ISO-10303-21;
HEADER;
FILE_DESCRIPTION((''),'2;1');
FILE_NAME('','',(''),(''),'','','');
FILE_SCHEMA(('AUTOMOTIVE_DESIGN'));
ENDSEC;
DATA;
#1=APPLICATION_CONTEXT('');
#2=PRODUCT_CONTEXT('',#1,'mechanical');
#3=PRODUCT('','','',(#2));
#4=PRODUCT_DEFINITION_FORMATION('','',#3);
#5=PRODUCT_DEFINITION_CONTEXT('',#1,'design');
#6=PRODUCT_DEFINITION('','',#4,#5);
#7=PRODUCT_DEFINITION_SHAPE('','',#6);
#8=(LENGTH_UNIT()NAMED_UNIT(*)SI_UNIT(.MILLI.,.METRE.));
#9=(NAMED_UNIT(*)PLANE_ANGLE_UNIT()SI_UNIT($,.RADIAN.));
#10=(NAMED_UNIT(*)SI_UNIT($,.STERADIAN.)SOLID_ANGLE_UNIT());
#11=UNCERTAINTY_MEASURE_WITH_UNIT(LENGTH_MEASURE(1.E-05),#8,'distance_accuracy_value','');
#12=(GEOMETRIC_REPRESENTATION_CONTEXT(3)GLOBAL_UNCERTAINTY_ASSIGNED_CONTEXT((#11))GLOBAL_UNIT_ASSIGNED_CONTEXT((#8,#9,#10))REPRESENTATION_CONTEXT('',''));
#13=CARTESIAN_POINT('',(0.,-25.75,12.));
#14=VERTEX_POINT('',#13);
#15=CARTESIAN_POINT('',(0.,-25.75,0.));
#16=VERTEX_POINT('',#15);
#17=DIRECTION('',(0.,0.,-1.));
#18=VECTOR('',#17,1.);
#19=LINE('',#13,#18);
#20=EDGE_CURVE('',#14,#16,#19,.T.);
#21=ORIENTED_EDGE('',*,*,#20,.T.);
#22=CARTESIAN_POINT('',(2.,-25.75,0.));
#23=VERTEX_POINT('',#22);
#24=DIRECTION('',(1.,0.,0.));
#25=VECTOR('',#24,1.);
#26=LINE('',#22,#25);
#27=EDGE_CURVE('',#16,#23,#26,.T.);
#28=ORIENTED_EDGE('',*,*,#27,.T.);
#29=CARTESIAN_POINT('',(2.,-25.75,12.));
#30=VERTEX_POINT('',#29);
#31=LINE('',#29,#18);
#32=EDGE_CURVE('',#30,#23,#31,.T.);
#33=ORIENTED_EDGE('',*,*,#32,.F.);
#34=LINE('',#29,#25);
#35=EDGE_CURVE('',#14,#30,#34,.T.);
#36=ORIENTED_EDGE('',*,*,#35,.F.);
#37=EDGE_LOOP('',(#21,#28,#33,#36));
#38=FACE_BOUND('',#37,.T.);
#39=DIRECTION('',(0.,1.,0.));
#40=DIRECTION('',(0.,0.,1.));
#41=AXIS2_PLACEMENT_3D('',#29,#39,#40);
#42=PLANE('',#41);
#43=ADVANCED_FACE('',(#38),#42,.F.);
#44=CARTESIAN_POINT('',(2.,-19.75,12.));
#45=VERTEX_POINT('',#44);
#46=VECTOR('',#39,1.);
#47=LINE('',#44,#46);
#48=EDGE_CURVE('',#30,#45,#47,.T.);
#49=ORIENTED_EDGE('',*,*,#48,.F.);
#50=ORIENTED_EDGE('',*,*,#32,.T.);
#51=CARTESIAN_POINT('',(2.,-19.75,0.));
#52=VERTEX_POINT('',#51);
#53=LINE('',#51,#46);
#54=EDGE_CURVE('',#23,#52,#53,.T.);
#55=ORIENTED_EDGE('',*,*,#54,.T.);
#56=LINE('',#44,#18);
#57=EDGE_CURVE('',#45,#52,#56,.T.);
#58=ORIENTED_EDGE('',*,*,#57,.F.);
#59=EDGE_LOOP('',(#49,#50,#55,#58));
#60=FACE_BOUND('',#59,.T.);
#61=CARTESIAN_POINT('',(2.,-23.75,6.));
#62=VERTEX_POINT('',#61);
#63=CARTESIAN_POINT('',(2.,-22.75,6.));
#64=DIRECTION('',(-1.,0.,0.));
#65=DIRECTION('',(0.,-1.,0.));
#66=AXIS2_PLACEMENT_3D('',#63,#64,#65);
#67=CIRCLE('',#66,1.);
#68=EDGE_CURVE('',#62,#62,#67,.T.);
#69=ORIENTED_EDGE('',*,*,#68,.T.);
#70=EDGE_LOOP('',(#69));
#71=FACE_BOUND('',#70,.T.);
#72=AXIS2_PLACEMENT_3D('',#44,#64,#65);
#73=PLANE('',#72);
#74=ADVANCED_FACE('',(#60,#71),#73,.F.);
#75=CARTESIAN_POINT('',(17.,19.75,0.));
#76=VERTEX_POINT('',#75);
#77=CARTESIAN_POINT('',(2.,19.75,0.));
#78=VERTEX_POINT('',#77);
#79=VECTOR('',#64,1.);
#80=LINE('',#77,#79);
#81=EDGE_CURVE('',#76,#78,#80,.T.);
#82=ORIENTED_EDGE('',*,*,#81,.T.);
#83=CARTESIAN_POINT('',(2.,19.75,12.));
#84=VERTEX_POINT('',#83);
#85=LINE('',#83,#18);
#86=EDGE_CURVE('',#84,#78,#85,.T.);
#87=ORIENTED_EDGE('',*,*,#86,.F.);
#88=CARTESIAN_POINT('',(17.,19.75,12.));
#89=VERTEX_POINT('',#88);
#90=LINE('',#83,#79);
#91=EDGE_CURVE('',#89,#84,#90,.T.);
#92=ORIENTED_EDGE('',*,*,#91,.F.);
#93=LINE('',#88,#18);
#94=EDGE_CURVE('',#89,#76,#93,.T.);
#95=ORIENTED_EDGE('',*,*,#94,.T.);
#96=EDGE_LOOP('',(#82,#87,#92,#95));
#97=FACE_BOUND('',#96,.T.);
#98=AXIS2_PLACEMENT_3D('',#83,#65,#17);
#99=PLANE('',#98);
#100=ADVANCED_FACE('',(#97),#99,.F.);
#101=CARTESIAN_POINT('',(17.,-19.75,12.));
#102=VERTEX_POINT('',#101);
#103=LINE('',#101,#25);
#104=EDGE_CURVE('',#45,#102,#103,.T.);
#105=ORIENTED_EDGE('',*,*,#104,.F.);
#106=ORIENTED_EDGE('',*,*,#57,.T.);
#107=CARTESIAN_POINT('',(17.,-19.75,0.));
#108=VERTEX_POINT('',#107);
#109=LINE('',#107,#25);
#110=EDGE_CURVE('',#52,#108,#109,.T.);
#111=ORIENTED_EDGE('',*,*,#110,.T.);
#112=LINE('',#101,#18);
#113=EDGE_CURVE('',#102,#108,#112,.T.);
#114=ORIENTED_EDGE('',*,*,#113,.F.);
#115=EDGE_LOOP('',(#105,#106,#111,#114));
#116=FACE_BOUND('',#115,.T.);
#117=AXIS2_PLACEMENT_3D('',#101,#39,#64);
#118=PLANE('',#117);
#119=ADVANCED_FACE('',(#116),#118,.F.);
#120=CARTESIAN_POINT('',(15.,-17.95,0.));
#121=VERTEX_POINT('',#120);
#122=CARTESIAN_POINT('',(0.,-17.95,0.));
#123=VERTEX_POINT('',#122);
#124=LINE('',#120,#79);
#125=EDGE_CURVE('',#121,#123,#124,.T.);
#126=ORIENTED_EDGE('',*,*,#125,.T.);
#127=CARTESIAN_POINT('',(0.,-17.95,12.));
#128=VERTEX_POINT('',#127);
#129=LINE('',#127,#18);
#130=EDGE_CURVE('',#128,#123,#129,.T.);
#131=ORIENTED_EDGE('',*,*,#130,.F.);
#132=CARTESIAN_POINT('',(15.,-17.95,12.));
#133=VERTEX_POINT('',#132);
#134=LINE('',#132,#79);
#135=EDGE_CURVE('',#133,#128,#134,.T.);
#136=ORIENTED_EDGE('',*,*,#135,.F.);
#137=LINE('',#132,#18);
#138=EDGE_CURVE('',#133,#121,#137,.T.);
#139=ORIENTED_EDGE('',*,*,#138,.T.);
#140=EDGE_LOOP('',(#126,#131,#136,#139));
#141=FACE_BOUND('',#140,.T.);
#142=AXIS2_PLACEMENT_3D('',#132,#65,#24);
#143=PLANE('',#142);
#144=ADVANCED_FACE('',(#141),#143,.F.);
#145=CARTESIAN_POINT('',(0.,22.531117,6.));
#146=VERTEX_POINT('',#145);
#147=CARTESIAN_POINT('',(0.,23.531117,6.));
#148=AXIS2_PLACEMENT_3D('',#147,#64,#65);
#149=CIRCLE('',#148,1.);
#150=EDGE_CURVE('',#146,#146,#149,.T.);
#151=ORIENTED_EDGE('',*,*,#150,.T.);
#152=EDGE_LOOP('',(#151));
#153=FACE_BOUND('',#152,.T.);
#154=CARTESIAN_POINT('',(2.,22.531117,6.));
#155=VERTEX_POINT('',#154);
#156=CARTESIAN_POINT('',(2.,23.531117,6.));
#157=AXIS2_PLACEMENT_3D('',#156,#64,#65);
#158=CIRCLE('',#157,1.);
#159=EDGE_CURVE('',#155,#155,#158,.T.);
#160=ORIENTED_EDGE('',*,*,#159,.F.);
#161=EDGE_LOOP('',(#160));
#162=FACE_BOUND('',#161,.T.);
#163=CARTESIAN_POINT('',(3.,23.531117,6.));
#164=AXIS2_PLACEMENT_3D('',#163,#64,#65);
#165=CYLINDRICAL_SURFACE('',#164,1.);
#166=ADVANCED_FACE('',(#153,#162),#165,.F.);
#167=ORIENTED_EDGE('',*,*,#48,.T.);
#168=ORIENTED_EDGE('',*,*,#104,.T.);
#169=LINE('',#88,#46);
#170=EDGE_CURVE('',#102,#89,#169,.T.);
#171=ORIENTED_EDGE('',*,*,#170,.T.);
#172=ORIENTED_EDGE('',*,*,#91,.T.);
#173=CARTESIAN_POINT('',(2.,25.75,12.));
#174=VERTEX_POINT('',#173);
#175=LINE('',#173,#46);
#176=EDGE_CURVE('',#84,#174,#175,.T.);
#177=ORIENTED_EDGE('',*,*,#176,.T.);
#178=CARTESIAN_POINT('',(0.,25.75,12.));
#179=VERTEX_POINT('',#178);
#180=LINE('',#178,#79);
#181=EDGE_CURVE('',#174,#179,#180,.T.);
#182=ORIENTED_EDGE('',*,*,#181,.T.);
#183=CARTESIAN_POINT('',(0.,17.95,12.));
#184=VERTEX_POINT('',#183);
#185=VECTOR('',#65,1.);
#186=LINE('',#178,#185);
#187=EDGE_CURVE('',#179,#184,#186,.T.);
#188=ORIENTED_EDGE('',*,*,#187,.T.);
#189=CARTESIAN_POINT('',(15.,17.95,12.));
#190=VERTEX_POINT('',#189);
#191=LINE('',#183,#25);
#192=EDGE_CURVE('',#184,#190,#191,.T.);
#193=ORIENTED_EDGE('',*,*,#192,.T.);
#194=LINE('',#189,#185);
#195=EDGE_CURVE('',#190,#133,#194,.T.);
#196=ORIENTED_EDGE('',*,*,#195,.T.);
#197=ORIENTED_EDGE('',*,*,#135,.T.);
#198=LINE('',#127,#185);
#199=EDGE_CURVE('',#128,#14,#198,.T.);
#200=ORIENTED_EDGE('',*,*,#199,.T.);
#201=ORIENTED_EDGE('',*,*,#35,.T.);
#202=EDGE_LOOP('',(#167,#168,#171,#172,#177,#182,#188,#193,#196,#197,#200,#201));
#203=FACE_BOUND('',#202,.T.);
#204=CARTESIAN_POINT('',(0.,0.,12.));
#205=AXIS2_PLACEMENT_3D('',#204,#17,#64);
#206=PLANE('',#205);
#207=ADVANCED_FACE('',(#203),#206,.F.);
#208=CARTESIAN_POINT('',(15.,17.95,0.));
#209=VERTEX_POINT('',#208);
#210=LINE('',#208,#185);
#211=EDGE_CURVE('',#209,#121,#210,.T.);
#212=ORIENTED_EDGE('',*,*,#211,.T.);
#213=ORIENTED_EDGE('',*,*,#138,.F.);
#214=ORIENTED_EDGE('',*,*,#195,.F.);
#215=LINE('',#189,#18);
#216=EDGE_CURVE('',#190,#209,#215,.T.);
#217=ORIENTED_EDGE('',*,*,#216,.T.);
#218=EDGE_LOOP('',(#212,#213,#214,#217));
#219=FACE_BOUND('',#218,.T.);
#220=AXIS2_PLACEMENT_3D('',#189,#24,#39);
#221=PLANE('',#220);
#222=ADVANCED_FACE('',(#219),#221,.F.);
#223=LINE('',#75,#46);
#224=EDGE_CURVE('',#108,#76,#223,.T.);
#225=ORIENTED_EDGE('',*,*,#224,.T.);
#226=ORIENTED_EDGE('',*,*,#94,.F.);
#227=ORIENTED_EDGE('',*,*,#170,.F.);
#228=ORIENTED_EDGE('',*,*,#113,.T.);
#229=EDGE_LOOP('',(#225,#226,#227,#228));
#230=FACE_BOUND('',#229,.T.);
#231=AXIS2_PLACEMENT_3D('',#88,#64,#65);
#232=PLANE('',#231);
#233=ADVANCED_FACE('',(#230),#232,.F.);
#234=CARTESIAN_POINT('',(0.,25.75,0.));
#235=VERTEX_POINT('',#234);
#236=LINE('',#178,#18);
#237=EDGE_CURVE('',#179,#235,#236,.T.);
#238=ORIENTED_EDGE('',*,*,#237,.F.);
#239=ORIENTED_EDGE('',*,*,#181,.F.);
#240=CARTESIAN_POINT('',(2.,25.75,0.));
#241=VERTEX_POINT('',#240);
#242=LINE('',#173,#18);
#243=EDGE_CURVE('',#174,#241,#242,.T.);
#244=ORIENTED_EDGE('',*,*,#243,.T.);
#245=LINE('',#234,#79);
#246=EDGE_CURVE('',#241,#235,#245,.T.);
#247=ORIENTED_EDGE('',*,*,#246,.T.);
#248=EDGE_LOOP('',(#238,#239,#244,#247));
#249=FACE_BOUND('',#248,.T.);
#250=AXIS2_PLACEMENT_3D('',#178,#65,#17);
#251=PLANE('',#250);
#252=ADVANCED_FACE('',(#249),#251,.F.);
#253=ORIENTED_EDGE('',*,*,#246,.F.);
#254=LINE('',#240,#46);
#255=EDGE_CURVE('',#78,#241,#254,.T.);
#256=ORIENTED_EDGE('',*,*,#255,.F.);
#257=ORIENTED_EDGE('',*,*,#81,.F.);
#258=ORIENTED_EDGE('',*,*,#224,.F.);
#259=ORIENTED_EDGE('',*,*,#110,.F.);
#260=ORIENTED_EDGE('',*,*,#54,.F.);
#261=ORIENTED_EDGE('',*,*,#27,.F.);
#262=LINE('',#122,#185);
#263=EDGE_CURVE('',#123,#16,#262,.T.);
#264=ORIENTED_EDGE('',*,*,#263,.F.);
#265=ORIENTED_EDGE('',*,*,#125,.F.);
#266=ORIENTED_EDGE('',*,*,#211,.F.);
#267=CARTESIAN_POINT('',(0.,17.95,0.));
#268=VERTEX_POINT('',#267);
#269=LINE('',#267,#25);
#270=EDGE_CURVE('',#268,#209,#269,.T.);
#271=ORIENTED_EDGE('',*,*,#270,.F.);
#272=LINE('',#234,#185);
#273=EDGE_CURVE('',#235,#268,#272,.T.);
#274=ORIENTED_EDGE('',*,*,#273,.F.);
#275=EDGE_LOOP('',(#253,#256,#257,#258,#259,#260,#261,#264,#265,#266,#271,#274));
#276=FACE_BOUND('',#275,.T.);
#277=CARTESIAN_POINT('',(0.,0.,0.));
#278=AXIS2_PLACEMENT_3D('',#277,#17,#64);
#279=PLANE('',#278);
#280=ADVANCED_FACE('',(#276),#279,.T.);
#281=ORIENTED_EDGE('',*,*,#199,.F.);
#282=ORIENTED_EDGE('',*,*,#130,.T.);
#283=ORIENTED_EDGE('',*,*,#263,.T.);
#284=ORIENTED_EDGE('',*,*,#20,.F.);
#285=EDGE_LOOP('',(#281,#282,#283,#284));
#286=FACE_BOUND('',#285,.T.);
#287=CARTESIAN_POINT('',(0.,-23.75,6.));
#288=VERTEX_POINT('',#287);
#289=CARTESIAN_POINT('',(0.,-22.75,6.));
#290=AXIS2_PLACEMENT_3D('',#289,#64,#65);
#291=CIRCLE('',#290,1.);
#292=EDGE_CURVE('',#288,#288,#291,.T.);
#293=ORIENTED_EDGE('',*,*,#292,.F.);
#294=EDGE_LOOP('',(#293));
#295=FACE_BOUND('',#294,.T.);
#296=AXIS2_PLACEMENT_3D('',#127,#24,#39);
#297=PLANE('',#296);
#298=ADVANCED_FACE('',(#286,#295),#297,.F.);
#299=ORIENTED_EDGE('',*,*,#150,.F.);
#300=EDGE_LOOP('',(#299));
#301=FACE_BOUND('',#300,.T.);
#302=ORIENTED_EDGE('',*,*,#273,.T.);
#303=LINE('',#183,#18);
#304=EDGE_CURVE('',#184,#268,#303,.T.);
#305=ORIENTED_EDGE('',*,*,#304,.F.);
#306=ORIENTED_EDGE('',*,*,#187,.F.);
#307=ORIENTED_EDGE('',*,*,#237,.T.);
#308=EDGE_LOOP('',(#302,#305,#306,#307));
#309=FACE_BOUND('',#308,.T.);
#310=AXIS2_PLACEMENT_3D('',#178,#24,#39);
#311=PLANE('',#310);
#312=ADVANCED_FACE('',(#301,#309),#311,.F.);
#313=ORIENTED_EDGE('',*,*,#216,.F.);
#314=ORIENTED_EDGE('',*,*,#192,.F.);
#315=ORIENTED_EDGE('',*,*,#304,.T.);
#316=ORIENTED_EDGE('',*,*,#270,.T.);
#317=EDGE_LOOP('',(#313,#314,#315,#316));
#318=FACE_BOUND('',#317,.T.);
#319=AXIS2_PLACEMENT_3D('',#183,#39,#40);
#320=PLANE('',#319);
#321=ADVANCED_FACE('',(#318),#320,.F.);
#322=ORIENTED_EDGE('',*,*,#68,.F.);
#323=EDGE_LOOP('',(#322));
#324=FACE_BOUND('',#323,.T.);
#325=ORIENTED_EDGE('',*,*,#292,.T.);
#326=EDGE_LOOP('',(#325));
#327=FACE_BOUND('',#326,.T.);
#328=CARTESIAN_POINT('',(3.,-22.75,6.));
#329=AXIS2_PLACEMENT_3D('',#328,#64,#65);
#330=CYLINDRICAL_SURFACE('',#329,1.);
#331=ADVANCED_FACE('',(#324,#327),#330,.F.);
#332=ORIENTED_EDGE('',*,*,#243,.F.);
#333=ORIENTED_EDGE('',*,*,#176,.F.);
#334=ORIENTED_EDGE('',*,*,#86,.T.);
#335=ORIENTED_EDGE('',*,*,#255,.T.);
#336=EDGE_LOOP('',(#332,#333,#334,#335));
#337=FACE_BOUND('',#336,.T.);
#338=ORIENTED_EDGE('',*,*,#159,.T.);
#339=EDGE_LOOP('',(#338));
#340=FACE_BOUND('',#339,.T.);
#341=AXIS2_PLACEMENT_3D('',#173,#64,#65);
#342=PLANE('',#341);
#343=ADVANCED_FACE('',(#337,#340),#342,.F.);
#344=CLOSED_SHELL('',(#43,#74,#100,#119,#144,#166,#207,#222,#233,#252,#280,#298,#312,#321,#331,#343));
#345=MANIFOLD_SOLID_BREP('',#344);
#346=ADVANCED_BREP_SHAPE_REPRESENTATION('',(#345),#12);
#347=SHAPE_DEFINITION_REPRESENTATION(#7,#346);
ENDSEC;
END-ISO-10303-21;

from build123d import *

# Parameters (mm, degrees)
EXTRUDE_1_DEPTH     = 12
SKETCH_2_R          = 1
CUT_EXTRUDE_1_DEPTH = 3


with BuildPart() as part:
    # 草图1 → 凸台-拉伸1 (new body)
    with BuildSketch(Plane.XY):
        Polygon((0, 25.75), (0, 17.95), (15, 17.95), (15, -17.95), (0, -17.95), (0, -25.75), (2, -25.75), (2, -19.75), (17, -19.75), (17, 19.75), (2, 19.75), (2, 25.75), align=None)
    extrude(amount=EXTRUDE_1_DEPTH)

    # 草图2 → 切除-拉伸1 (cut)
    with BuildSketch(Plane.ZY):
        with Locations((6, 23.531116708)):
            Circle(SKETCH_2_R)
        with Locations((6, -22.75)):
            Circle(SKETCH_2_R)
    extrude(amount=-CUT_EXTRUDE_1_DEPTH, mode=Mode.SUBTRACT)


solid = part.part
